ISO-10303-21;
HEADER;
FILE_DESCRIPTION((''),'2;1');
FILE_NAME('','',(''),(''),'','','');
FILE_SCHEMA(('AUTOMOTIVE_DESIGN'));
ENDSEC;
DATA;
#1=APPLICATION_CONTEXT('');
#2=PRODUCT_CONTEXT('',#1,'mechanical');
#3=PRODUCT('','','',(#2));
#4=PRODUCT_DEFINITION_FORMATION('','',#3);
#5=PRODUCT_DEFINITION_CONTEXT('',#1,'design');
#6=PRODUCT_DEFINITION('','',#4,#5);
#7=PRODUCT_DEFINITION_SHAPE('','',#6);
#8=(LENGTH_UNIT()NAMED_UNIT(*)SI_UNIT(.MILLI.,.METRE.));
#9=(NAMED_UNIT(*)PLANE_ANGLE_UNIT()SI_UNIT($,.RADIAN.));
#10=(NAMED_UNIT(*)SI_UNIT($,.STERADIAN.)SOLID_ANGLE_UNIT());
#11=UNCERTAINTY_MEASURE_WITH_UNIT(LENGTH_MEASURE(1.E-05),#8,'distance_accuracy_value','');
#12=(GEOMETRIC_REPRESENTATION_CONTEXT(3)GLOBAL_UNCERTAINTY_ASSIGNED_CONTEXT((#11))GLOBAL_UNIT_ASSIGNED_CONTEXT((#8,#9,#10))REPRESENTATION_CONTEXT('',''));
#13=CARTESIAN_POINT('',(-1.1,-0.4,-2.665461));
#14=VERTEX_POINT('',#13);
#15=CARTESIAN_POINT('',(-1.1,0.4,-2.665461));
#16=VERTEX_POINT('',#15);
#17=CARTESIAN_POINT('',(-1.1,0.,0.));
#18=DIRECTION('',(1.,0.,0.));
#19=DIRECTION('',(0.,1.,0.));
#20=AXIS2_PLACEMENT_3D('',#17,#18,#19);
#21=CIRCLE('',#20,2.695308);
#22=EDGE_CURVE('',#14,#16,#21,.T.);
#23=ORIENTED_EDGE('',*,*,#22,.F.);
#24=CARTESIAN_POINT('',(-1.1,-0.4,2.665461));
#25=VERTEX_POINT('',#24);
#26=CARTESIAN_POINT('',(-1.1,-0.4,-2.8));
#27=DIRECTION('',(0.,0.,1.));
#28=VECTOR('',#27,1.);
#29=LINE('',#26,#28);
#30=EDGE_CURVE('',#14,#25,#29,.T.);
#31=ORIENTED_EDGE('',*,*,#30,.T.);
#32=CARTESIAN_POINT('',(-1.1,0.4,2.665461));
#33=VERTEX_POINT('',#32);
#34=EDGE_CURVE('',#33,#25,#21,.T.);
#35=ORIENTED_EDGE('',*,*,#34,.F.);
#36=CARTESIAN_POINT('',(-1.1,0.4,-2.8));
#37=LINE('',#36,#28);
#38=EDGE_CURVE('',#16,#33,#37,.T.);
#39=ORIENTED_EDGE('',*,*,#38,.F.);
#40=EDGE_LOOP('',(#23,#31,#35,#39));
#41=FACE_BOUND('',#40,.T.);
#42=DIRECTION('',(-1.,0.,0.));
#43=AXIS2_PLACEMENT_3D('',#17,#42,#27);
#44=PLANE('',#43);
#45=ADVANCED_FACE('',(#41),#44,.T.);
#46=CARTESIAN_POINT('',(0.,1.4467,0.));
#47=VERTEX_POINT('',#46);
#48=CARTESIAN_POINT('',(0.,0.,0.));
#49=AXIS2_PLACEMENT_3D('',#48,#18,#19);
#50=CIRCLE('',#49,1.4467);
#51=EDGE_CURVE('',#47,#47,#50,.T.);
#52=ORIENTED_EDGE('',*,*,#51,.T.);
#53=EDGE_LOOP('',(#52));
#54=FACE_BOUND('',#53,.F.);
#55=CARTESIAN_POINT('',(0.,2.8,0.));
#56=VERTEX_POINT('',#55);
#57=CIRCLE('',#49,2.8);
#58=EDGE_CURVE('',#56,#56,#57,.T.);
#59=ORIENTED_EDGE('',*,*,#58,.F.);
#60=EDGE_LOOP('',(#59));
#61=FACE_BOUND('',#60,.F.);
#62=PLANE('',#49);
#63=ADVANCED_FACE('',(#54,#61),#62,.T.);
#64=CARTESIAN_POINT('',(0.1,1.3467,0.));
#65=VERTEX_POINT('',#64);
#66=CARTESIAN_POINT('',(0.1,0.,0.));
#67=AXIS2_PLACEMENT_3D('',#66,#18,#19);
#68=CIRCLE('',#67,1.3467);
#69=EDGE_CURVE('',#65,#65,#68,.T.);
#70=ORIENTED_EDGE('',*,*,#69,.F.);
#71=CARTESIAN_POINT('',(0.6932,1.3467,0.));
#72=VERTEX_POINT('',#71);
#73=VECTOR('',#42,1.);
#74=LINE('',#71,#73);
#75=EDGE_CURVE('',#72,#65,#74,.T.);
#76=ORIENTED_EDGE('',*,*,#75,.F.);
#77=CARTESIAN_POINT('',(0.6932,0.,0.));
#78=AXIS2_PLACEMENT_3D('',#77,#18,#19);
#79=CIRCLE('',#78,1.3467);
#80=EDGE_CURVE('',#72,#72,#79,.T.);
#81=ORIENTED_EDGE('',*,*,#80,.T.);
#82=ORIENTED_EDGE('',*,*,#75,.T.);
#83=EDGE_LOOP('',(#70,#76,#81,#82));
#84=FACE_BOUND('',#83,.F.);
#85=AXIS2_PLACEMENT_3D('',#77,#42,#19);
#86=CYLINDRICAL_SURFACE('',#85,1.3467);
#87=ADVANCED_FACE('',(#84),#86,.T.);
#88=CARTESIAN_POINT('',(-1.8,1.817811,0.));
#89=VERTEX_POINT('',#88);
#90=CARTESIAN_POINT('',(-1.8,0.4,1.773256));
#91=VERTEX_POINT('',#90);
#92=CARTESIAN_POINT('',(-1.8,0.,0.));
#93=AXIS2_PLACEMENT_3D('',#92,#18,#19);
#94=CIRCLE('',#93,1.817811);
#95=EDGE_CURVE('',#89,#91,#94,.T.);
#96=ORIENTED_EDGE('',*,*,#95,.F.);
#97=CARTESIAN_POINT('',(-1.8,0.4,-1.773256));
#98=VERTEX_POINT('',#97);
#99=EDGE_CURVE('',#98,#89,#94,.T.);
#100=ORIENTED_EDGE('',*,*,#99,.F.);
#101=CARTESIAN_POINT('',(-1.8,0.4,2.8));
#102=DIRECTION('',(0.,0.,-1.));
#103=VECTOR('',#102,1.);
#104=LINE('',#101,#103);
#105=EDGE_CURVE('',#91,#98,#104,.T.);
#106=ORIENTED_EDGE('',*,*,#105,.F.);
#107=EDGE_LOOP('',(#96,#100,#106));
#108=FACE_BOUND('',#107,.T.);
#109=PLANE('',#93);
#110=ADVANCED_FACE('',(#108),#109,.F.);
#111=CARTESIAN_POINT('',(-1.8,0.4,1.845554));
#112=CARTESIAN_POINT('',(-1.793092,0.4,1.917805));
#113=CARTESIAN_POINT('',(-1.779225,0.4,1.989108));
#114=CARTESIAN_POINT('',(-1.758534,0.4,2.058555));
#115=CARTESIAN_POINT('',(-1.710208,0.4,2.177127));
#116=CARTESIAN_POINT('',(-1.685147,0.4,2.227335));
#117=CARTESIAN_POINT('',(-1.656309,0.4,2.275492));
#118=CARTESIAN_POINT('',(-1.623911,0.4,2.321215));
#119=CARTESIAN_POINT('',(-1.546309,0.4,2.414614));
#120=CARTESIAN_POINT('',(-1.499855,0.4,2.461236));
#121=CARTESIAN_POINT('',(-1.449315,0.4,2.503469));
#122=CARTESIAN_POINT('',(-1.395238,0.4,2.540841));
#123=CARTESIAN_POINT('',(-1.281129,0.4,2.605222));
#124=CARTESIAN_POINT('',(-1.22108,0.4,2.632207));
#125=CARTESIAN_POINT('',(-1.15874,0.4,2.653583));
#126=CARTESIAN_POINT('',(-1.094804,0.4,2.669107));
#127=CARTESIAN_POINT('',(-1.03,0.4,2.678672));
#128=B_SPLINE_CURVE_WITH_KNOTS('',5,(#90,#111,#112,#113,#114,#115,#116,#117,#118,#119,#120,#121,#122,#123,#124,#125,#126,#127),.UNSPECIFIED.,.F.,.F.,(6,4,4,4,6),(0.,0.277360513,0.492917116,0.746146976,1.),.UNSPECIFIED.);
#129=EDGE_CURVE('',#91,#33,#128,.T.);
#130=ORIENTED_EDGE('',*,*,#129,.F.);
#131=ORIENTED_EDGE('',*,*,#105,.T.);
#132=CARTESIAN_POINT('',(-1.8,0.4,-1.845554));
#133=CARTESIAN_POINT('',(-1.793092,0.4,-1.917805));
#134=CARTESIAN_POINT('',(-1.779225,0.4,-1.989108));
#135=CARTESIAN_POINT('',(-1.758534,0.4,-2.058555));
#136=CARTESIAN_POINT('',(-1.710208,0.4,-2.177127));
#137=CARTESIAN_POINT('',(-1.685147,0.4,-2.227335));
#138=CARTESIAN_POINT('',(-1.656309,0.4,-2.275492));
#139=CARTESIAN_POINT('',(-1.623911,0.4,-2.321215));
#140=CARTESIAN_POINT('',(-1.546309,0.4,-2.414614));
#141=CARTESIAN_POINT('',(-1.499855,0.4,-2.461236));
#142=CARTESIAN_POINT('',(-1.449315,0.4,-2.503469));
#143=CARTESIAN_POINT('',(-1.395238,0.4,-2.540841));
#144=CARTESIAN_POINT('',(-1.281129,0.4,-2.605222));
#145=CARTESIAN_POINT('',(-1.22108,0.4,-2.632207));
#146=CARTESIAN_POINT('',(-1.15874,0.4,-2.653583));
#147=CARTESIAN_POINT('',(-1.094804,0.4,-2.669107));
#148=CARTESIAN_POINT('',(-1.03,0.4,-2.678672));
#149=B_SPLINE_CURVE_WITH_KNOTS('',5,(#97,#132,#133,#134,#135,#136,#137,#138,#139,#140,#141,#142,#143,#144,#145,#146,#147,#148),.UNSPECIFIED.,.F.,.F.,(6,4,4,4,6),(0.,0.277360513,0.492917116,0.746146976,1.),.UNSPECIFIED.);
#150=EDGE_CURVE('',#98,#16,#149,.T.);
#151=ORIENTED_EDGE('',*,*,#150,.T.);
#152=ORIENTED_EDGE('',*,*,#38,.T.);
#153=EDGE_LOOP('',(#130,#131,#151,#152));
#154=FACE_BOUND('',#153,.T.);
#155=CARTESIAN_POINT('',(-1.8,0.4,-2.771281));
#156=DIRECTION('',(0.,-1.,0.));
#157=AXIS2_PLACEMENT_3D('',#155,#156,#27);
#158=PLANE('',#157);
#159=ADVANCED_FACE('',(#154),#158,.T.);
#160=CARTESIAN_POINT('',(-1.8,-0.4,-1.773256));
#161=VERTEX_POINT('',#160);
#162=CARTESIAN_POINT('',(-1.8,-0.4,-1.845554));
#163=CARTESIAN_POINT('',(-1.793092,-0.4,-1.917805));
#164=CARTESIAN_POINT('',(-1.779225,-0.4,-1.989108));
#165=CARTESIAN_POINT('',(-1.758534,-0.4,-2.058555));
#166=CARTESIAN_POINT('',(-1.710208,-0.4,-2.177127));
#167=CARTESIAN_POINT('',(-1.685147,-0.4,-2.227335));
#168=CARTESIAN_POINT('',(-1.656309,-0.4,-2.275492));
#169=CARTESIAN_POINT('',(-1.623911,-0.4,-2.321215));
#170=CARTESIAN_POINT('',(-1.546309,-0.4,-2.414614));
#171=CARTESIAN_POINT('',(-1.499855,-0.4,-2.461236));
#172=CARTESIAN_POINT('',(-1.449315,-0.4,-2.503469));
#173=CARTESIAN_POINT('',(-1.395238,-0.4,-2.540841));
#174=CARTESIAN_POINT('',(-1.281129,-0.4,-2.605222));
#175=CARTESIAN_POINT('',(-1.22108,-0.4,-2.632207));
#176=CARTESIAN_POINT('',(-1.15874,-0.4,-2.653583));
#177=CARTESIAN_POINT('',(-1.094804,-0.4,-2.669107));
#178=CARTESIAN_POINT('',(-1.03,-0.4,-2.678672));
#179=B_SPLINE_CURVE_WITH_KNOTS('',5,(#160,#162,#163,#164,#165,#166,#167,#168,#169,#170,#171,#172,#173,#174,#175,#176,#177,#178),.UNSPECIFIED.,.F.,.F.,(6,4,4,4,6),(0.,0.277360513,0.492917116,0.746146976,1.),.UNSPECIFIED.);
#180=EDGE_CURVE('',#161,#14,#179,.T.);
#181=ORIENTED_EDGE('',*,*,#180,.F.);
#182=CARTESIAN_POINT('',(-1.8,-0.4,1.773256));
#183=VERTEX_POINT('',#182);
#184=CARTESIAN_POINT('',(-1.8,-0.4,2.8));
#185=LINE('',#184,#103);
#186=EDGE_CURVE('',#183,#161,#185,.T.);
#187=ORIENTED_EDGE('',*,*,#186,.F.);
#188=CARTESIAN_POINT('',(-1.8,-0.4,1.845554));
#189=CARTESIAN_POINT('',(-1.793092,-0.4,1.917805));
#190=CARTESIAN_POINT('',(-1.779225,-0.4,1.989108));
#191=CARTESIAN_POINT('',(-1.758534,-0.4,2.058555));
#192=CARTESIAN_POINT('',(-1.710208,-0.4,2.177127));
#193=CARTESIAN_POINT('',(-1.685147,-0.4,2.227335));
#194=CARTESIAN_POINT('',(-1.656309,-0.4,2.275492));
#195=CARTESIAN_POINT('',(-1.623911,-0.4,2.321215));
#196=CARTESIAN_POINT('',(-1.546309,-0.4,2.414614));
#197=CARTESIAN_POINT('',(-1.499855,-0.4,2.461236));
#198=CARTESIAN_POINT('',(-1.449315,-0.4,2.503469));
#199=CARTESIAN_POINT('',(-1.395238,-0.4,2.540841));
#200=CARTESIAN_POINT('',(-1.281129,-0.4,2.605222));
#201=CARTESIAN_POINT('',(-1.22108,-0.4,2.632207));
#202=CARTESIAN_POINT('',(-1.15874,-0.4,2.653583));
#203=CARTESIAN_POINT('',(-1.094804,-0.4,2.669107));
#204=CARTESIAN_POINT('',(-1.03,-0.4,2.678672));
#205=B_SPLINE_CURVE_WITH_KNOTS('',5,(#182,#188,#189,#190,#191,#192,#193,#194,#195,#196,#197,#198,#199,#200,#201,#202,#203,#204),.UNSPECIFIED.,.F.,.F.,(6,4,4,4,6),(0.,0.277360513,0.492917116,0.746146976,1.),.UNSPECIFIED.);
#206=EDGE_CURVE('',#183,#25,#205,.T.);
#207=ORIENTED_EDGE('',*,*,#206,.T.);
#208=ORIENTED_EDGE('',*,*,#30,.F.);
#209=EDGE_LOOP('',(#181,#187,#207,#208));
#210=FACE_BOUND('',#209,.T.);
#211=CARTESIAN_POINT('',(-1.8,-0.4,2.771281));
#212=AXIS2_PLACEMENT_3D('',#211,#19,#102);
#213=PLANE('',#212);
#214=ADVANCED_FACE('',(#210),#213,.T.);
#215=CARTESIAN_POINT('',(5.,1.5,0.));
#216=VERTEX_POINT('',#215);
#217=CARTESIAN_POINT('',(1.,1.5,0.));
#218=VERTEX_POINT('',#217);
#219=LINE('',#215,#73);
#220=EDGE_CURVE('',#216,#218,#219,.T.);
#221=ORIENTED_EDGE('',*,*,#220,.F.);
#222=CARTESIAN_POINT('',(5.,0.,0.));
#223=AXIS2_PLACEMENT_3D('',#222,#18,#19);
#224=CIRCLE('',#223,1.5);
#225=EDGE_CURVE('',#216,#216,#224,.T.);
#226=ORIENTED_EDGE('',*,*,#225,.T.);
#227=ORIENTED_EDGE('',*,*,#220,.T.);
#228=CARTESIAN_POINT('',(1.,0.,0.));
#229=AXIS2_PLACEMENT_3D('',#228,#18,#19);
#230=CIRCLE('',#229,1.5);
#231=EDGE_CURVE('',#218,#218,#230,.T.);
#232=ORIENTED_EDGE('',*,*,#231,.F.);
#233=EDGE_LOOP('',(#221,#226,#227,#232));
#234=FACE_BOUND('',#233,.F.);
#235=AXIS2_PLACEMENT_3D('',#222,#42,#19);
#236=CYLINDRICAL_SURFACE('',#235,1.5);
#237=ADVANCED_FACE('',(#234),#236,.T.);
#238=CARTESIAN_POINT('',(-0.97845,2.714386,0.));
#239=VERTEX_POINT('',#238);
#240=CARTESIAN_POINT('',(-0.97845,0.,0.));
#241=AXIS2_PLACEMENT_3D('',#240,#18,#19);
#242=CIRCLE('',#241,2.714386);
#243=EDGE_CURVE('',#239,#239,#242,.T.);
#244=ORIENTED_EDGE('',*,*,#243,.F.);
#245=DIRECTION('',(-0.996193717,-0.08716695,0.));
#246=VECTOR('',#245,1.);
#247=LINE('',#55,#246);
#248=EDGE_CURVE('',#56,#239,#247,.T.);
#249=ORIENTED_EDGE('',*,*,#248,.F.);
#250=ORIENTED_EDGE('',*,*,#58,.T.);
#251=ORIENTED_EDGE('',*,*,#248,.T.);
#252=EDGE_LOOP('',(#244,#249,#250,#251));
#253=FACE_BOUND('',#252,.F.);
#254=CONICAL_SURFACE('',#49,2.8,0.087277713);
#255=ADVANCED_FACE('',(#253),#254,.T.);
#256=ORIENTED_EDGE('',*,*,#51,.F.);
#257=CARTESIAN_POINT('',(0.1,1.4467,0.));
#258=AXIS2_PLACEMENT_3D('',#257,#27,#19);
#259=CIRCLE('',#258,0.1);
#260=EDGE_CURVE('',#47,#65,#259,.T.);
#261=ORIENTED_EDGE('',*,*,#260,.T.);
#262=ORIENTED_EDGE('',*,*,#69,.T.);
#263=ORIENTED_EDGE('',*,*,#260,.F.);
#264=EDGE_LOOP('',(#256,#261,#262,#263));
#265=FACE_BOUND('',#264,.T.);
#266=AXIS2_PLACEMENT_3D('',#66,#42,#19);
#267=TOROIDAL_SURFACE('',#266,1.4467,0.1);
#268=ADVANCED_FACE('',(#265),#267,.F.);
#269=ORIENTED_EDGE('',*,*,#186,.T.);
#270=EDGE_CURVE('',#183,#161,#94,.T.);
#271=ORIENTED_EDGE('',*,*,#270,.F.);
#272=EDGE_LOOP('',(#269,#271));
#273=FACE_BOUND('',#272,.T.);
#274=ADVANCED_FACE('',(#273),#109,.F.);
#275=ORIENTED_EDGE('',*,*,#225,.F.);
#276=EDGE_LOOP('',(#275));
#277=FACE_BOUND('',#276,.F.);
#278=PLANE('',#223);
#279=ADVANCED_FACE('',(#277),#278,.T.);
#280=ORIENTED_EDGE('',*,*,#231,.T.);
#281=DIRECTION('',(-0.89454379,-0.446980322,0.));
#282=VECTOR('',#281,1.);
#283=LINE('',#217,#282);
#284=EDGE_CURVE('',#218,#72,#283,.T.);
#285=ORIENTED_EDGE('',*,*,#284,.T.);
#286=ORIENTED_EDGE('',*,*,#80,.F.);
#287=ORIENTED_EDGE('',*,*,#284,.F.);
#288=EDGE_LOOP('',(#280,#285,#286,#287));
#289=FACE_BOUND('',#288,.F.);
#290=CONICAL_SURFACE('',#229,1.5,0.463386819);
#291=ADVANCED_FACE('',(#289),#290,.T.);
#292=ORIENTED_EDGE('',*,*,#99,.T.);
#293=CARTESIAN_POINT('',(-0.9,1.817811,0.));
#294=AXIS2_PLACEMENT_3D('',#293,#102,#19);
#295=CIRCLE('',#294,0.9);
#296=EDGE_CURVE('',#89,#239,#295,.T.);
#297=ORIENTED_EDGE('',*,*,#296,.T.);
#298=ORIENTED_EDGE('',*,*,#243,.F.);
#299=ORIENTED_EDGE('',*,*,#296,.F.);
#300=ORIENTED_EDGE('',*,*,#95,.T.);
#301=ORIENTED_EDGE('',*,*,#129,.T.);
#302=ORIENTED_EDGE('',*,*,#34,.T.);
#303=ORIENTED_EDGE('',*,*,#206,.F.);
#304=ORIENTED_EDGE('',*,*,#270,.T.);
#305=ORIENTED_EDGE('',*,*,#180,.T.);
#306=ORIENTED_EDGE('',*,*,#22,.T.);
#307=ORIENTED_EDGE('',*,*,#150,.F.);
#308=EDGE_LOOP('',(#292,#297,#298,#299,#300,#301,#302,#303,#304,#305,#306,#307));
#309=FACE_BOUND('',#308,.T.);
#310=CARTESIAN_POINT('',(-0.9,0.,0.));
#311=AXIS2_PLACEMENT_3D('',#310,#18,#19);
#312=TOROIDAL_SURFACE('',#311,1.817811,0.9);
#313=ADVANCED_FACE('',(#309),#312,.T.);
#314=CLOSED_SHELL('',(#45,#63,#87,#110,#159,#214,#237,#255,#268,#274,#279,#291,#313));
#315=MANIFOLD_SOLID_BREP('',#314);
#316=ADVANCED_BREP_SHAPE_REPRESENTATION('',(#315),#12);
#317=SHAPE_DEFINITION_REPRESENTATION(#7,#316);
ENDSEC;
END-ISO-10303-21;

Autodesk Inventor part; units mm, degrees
ref_plane "YZ Plane" through (0, 0, 0) normal (1, 0, 0) x (0, 1, 0)
ref_plane "XZ Plane" through (0, 0, 0) normal (0, 1, 0) x (-1, 0, 0)
sketch "Skizze1" plane through (0, 0, 0) normal (0, 0, 1) x (1, 0, 0)
  line L0 (-1.8, 0) -> (5, 0)
  line L1 (5, 0) -> (5, 1.5)
  line L2 (5, 1.5) -> (1, 1.5)
  line L3 (1, 1.5) -> (0.6932, 1.3467)
  line L4 (0.6932, 1.3467) -> (0, 1.3467)
  line L5 (0, 1.3467) -> (0, 2.8)
  line L6 (-3.16, 0) -> (6.36, 0) projected
  line L7 (0, -0.56) -> (0, 3.36) projected
  line L8 (-1.8, 0) -> (-1.8, 2.6425)
  line L9 (0, 2.8) -> (-1.8, 2.6425)
  line L10 (1, 1.5) -> (0, 1.5) construction
  dimension "d0" = 5
  dimension "d1" = 4
  dimension "d2" = 0.3068
  dimension "d3" = 1.8
  dimension "d4" = 3
  dimension "d5" = 2.6935
  dimension "d9" = 5.6
  dimension "d10" = 5
revolve "Körper" add sketch "Skizze1" angle 360 about axis through (-1.8, 0, 0) along (1, 0, 0)
sketch "Skizze2" plane through (-1.8, 0, 0) normal (-1, 0, 0) x (0, 0, 1)
  circle A0 centre (0, 0) radius 2.8 projected
  line L0 (0, 0) -> (0, 2.6425) projected
  line L1 (-2.8, 0.4) -> (2.8, 0.4)
  line L2 (2.8, 0.4) -> (2.8, -0.4)
  line L3 (2.8, -0.4) -> (-2.8, -0.4)
  line L4 (-2.8, -0.4) -> (-2.8, 0.4)
  line L5 (-2.8, 0) -> (2.8, 0) construction
  line L6 (0, 0.4) -> (0, -0.4) construction
  dimension "d11" = 0.8
  dimension "d12" = 5.6
fillet "Rundung1" radius 0.9 1 edges at (-1.8, -2.6425, 0)
extrude "Loch" cut sketch "Skizze2" against normal blind 0.7 contours A0 L3 L1 | L2 L3 A0 | A0 L1 L2 | A0 L4 L1 | L3 L4 A0
thread "Gewinde" size "M3x0.5" class "6g" standard "ISO Metric profile" length 4
ref_plane "Work Plane1" through (30.1625, 0, 0) normal (0, 0, -1) x (1, 0, 0)
fillet "Fillet5" radius 0.1 1 edges at (0, -1.3467, 0)
equation "\"d11\" = SBR"
equation "\"d12\" = KOD"
equation "\"d14\" = RR"
equation "\"d19\" = STI"
equation "\"d15\" = GEL"
equation "\"d41\" = R"
equation "\"d0\" = NLG"
equation "\"d1\" = GEL"
equation "\"d3\" = KOH"
equation "\"d4\" = GD"
equation "\"d5\" = BDM"
equation "\"d9\" = KOD"
equation "\"d10\" = KEWI"
equation "\"GD\" = NND"
equation "\"NLG\" = 5"
equation "\"GEL\" = 4"
equation "\"KOD\" = 5.6"
equation "\"KOH\" = 1.8"
equation "\"GAL\" = 0.61345 * PTC"
equation "\"R\" = 0.1"
equation "\"BDM\" = 2.6935"
equation "\"GUL\" = 0.61345 * PTC"
equation "\"RR\" = 0.9"
equation "\"SBR\" = 0.8"
equation "\"STI\" = 0.7"
equation "\"KEWI\" = 5deg"
equation "\"PTC\" = 0.5"
equation "\"THREADDIA\" = 3"
equation "\"TOA\" = 30deg"
equation "\"NND\" = 3"
equation "\"GD1\" = THREADDIA - 1.2269 * PTC"
properties part number "ISO 1580 - M3 x 5" material "Stahl, weich"
